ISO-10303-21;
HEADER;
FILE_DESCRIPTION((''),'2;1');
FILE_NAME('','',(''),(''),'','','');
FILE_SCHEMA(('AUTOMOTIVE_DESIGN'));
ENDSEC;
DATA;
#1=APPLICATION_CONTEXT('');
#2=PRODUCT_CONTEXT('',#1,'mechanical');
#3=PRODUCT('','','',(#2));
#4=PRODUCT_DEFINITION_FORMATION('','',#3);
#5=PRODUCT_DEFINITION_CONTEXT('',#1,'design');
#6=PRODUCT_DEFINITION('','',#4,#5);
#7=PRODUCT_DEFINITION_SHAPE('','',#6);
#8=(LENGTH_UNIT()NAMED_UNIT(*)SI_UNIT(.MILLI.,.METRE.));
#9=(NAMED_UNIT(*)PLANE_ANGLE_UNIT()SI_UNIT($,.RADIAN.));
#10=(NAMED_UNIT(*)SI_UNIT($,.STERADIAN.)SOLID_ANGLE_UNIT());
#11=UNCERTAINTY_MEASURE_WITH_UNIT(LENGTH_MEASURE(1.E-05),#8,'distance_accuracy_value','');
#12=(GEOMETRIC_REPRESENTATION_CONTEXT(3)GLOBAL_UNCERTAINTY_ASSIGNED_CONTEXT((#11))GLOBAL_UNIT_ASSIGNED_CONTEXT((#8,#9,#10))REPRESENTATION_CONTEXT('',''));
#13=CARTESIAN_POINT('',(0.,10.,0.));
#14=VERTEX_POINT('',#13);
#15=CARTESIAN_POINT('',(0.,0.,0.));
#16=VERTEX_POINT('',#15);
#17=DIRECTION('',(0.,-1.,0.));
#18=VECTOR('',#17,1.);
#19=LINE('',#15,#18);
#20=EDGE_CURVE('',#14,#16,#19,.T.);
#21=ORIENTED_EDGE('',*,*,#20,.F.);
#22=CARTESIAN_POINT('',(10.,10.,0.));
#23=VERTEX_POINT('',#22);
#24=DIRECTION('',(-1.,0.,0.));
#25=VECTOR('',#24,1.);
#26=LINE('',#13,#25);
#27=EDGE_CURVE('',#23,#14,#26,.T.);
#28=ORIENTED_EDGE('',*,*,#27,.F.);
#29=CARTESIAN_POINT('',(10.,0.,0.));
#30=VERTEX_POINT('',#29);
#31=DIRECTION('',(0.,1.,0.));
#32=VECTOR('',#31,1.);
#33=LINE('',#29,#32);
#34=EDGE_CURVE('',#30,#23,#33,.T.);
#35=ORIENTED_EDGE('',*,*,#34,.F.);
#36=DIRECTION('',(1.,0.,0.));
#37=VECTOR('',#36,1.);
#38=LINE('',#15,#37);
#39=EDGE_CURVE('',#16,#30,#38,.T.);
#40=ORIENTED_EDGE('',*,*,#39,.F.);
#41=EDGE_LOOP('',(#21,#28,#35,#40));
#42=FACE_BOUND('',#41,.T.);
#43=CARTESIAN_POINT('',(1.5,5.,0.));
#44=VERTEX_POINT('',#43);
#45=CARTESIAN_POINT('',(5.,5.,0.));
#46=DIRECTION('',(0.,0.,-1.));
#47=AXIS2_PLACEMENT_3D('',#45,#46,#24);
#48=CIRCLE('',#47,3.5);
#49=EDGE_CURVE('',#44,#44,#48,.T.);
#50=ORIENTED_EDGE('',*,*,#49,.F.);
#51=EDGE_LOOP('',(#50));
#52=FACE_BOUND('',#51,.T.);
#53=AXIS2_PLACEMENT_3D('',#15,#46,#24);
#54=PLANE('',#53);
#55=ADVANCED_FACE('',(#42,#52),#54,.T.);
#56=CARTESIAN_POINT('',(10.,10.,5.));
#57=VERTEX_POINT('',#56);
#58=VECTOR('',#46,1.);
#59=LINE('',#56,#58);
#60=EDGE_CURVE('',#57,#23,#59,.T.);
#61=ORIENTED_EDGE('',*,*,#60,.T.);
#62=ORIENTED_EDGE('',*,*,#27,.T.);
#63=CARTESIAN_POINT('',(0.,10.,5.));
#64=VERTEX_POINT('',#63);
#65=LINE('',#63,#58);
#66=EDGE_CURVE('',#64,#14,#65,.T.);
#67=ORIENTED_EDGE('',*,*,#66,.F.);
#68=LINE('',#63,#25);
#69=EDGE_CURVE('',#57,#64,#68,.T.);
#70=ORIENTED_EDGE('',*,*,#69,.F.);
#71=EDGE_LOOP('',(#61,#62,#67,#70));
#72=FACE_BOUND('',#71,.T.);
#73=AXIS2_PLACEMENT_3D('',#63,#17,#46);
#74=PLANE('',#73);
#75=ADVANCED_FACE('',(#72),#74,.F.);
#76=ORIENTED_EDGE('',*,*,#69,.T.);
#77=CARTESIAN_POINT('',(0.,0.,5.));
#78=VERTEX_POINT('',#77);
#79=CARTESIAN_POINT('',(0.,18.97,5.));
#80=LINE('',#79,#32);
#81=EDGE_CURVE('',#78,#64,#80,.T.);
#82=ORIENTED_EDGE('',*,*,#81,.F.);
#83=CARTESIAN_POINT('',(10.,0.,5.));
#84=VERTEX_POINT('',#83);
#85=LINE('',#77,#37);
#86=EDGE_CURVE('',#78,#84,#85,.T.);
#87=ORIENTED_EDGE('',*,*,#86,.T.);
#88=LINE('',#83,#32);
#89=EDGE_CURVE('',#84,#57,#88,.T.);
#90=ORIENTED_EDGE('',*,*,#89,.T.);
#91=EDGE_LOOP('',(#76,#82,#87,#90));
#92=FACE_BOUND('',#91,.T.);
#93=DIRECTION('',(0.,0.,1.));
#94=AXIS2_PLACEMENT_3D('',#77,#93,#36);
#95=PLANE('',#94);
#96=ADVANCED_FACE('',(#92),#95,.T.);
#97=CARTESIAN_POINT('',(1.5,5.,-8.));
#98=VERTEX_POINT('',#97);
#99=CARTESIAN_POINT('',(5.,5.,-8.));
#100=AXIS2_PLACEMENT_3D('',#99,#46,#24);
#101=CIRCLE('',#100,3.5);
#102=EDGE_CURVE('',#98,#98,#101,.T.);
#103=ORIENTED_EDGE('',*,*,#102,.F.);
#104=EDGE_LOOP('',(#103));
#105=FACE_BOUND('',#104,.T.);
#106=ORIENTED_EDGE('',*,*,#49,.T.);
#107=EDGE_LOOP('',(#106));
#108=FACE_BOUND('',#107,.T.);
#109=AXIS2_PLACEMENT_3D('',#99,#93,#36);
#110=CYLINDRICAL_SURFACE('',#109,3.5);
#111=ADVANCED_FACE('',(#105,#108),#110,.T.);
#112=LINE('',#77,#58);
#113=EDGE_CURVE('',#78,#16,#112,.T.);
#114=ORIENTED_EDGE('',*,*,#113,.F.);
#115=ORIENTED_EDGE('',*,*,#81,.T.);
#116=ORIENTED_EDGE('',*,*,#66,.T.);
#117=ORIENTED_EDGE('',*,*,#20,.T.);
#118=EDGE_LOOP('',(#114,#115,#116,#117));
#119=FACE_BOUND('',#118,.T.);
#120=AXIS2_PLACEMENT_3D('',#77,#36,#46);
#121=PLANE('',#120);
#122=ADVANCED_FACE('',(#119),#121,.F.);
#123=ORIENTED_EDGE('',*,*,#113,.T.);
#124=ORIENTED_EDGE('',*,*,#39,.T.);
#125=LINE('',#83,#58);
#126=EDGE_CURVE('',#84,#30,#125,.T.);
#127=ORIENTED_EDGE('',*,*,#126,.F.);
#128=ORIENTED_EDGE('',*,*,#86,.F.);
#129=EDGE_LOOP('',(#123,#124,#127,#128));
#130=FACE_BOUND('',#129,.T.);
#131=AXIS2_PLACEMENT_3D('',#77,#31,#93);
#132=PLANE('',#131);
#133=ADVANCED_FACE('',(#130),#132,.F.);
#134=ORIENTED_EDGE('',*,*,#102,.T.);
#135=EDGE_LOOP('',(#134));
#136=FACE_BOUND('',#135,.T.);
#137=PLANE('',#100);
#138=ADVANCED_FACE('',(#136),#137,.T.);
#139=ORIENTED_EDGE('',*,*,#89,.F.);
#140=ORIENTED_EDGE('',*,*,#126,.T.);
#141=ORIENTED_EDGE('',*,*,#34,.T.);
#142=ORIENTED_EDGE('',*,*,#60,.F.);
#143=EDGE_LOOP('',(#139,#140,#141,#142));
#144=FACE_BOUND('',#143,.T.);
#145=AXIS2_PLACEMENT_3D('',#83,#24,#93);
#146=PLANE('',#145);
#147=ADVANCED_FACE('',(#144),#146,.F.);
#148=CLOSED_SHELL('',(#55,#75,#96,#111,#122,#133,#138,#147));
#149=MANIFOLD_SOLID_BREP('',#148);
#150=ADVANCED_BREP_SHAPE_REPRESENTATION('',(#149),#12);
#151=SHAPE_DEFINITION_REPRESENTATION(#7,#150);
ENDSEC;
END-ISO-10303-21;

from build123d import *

# Parameters (mm, degrees)
SKETCH2_W           = 10
SKETCH2_H           = 10
BOSS_EXTRUDE1_DEPTH = 5
SKETCH4_W           = 15
SKETCH4_H           = 27.94
BOSS_EXTRUDE4_DEPTH = 4
SKETCH5_W           = 2.25448465
SKETCH5_H           = 27.94
BOSS_EXTRUDE5_DEPTH = 4
SKETCH6_R           = 1.5
CUT_EXTRUDE1_DEPTH  = 40
SKETCH7_R           = 3.5
BOSS_EXTRUDE6_DEPTH = 8
SKETCH8_W           = 15
SKETCH8_H           = 27.94
CUT_EXTRUDE2_DEPTH  = 8


with BuildPart() as part:
    # Sketch2 → Boss-Extrude1 (new body)
    with BuildSketch(Plane.XY):
        with Locations((5, 5)):
            Rectangle(SKETCH2_W, SKETCH2_H)
    extrude(amount=BOSS_EXTRUDE1_DEPTH)

    # Sketch4 → Boss-Extrude4 (add)
    with BuildSketch(Plane.XY.offset(5)):
        with Locations((7.5, 5)):
            Rectangle(SKETCH4_W, SKETCH4_H)
    extrude(amount=BOSS_EXTRUDE4_DEPTH)

    # Sketch5 → Boss-Extrude5 (add)
    with BuildSketch(Plane.XY.offset(9)):
        with Locations((13.872757675, 5)):
            Rectangle(SKETCH5_W, SKETCH5_H)
    extrude(amount=BOSS_EXTRUDE5_DEPTH)

    # Sketch6 → Cut-Extrude1 (cut)
    with BuildSketch(Plane.ZY.offset(-12.74551535)):
        with Locations((11.286, 16.64426)):
            Circle(SKETCH6_R)
        with Locations((11.286, -6.645)):
            Circle(SKETCH6_R)
    extrude(amount=-CUT_EXTRUDE1_DEPTH, mode=Mode.SUBTRACT)

    # Sketch7 → Boss-Extrude6 (add)
    with BuildSketch(Plane(origin=(0, 0, 0), x_dir=(-1, 0, 0), z_dir=(0, 0, -1))):
        with Locations((-5, 5)):
            Circle(SKETCH7_R)
    extrude(amount=BOSS_EXTRUDE6_DEPTH)

    # Sketch8 → Cut-Extrude2 (cut)
    with BuildSketch(Plane.XY.offset(13)):
        with Locations((7.5, 5)):
            Rectangle(SKETCH8_W, SKETCH8_H)
    extrude(amount=-CUT_EXTRUDE2_DEPTH, mode=Mode.SUBTRACT)


solid = part.part
